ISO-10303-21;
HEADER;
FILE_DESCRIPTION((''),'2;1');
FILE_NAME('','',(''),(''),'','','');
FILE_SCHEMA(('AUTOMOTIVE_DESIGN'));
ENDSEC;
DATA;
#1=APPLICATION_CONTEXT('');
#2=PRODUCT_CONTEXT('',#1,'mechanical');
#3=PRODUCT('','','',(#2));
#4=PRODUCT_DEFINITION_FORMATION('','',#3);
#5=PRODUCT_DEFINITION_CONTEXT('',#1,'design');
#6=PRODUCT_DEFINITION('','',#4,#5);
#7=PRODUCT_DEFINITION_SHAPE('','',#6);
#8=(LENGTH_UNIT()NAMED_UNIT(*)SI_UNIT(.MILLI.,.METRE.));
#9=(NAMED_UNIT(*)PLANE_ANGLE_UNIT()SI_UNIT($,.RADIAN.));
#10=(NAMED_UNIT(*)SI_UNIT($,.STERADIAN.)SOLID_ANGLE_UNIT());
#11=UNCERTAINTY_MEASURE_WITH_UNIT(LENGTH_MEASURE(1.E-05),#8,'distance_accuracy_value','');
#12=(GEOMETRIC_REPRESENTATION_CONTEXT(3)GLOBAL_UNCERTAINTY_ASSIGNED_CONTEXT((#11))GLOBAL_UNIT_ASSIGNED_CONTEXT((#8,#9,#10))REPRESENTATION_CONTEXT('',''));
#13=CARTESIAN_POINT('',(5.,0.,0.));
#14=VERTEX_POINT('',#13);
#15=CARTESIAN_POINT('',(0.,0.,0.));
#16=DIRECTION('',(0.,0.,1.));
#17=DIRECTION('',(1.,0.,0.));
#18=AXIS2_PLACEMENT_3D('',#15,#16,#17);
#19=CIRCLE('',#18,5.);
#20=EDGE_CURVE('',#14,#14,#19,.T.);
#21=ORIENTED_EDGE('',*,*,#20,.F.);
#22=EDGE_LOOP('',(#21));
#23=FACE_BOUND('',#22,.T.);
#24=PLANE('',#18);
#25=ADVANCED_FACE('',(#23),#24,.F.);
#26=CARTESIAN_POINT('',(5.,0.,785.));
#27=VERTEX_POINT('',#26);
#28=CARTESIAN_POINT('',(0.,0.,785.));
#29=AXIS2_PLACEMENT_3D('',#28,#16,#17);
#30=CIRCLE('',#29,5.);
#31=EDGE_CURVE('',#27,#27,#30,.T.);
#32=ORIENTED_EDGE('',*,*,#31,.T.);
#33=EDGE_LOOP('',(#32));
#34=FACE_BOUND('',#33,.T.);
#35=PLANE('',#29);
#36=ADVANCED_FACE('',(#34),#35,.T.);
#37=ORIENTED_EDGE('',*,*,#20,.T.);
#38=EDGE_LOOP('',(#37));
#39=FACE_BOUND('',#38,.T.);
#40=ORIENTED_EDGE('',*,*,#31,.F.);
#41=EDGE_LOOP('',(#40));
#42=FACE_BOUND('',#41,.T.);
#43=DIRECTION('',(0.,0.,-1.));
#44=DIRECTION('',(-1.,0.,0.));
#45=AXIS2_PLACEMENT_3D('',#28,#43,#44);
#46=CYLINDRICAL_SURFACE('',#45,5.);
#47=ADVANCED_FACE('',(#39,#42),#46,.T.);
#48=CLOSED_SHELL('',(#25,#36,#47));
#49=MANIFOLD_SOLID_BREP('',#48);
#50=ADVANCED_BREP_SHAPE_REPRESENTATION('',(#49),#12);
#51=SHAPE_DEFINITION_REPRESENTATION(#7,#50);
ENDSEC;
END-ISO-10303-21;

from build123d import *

# Parameters (mm, degrees)
ESQUISSE1_R        = 5
BOSS_EXTRU_1_DEPTH = 785


with BuildPart() as part:
    # Esquisse1 → Boss.-Extru.1 (new body)
    with BuildSketch(Plane.XY):
        Circle(ESQUISSE1_R)
    extrude(amount=BOSS_EXTRU_1_DEPTH)


solid = part.part
